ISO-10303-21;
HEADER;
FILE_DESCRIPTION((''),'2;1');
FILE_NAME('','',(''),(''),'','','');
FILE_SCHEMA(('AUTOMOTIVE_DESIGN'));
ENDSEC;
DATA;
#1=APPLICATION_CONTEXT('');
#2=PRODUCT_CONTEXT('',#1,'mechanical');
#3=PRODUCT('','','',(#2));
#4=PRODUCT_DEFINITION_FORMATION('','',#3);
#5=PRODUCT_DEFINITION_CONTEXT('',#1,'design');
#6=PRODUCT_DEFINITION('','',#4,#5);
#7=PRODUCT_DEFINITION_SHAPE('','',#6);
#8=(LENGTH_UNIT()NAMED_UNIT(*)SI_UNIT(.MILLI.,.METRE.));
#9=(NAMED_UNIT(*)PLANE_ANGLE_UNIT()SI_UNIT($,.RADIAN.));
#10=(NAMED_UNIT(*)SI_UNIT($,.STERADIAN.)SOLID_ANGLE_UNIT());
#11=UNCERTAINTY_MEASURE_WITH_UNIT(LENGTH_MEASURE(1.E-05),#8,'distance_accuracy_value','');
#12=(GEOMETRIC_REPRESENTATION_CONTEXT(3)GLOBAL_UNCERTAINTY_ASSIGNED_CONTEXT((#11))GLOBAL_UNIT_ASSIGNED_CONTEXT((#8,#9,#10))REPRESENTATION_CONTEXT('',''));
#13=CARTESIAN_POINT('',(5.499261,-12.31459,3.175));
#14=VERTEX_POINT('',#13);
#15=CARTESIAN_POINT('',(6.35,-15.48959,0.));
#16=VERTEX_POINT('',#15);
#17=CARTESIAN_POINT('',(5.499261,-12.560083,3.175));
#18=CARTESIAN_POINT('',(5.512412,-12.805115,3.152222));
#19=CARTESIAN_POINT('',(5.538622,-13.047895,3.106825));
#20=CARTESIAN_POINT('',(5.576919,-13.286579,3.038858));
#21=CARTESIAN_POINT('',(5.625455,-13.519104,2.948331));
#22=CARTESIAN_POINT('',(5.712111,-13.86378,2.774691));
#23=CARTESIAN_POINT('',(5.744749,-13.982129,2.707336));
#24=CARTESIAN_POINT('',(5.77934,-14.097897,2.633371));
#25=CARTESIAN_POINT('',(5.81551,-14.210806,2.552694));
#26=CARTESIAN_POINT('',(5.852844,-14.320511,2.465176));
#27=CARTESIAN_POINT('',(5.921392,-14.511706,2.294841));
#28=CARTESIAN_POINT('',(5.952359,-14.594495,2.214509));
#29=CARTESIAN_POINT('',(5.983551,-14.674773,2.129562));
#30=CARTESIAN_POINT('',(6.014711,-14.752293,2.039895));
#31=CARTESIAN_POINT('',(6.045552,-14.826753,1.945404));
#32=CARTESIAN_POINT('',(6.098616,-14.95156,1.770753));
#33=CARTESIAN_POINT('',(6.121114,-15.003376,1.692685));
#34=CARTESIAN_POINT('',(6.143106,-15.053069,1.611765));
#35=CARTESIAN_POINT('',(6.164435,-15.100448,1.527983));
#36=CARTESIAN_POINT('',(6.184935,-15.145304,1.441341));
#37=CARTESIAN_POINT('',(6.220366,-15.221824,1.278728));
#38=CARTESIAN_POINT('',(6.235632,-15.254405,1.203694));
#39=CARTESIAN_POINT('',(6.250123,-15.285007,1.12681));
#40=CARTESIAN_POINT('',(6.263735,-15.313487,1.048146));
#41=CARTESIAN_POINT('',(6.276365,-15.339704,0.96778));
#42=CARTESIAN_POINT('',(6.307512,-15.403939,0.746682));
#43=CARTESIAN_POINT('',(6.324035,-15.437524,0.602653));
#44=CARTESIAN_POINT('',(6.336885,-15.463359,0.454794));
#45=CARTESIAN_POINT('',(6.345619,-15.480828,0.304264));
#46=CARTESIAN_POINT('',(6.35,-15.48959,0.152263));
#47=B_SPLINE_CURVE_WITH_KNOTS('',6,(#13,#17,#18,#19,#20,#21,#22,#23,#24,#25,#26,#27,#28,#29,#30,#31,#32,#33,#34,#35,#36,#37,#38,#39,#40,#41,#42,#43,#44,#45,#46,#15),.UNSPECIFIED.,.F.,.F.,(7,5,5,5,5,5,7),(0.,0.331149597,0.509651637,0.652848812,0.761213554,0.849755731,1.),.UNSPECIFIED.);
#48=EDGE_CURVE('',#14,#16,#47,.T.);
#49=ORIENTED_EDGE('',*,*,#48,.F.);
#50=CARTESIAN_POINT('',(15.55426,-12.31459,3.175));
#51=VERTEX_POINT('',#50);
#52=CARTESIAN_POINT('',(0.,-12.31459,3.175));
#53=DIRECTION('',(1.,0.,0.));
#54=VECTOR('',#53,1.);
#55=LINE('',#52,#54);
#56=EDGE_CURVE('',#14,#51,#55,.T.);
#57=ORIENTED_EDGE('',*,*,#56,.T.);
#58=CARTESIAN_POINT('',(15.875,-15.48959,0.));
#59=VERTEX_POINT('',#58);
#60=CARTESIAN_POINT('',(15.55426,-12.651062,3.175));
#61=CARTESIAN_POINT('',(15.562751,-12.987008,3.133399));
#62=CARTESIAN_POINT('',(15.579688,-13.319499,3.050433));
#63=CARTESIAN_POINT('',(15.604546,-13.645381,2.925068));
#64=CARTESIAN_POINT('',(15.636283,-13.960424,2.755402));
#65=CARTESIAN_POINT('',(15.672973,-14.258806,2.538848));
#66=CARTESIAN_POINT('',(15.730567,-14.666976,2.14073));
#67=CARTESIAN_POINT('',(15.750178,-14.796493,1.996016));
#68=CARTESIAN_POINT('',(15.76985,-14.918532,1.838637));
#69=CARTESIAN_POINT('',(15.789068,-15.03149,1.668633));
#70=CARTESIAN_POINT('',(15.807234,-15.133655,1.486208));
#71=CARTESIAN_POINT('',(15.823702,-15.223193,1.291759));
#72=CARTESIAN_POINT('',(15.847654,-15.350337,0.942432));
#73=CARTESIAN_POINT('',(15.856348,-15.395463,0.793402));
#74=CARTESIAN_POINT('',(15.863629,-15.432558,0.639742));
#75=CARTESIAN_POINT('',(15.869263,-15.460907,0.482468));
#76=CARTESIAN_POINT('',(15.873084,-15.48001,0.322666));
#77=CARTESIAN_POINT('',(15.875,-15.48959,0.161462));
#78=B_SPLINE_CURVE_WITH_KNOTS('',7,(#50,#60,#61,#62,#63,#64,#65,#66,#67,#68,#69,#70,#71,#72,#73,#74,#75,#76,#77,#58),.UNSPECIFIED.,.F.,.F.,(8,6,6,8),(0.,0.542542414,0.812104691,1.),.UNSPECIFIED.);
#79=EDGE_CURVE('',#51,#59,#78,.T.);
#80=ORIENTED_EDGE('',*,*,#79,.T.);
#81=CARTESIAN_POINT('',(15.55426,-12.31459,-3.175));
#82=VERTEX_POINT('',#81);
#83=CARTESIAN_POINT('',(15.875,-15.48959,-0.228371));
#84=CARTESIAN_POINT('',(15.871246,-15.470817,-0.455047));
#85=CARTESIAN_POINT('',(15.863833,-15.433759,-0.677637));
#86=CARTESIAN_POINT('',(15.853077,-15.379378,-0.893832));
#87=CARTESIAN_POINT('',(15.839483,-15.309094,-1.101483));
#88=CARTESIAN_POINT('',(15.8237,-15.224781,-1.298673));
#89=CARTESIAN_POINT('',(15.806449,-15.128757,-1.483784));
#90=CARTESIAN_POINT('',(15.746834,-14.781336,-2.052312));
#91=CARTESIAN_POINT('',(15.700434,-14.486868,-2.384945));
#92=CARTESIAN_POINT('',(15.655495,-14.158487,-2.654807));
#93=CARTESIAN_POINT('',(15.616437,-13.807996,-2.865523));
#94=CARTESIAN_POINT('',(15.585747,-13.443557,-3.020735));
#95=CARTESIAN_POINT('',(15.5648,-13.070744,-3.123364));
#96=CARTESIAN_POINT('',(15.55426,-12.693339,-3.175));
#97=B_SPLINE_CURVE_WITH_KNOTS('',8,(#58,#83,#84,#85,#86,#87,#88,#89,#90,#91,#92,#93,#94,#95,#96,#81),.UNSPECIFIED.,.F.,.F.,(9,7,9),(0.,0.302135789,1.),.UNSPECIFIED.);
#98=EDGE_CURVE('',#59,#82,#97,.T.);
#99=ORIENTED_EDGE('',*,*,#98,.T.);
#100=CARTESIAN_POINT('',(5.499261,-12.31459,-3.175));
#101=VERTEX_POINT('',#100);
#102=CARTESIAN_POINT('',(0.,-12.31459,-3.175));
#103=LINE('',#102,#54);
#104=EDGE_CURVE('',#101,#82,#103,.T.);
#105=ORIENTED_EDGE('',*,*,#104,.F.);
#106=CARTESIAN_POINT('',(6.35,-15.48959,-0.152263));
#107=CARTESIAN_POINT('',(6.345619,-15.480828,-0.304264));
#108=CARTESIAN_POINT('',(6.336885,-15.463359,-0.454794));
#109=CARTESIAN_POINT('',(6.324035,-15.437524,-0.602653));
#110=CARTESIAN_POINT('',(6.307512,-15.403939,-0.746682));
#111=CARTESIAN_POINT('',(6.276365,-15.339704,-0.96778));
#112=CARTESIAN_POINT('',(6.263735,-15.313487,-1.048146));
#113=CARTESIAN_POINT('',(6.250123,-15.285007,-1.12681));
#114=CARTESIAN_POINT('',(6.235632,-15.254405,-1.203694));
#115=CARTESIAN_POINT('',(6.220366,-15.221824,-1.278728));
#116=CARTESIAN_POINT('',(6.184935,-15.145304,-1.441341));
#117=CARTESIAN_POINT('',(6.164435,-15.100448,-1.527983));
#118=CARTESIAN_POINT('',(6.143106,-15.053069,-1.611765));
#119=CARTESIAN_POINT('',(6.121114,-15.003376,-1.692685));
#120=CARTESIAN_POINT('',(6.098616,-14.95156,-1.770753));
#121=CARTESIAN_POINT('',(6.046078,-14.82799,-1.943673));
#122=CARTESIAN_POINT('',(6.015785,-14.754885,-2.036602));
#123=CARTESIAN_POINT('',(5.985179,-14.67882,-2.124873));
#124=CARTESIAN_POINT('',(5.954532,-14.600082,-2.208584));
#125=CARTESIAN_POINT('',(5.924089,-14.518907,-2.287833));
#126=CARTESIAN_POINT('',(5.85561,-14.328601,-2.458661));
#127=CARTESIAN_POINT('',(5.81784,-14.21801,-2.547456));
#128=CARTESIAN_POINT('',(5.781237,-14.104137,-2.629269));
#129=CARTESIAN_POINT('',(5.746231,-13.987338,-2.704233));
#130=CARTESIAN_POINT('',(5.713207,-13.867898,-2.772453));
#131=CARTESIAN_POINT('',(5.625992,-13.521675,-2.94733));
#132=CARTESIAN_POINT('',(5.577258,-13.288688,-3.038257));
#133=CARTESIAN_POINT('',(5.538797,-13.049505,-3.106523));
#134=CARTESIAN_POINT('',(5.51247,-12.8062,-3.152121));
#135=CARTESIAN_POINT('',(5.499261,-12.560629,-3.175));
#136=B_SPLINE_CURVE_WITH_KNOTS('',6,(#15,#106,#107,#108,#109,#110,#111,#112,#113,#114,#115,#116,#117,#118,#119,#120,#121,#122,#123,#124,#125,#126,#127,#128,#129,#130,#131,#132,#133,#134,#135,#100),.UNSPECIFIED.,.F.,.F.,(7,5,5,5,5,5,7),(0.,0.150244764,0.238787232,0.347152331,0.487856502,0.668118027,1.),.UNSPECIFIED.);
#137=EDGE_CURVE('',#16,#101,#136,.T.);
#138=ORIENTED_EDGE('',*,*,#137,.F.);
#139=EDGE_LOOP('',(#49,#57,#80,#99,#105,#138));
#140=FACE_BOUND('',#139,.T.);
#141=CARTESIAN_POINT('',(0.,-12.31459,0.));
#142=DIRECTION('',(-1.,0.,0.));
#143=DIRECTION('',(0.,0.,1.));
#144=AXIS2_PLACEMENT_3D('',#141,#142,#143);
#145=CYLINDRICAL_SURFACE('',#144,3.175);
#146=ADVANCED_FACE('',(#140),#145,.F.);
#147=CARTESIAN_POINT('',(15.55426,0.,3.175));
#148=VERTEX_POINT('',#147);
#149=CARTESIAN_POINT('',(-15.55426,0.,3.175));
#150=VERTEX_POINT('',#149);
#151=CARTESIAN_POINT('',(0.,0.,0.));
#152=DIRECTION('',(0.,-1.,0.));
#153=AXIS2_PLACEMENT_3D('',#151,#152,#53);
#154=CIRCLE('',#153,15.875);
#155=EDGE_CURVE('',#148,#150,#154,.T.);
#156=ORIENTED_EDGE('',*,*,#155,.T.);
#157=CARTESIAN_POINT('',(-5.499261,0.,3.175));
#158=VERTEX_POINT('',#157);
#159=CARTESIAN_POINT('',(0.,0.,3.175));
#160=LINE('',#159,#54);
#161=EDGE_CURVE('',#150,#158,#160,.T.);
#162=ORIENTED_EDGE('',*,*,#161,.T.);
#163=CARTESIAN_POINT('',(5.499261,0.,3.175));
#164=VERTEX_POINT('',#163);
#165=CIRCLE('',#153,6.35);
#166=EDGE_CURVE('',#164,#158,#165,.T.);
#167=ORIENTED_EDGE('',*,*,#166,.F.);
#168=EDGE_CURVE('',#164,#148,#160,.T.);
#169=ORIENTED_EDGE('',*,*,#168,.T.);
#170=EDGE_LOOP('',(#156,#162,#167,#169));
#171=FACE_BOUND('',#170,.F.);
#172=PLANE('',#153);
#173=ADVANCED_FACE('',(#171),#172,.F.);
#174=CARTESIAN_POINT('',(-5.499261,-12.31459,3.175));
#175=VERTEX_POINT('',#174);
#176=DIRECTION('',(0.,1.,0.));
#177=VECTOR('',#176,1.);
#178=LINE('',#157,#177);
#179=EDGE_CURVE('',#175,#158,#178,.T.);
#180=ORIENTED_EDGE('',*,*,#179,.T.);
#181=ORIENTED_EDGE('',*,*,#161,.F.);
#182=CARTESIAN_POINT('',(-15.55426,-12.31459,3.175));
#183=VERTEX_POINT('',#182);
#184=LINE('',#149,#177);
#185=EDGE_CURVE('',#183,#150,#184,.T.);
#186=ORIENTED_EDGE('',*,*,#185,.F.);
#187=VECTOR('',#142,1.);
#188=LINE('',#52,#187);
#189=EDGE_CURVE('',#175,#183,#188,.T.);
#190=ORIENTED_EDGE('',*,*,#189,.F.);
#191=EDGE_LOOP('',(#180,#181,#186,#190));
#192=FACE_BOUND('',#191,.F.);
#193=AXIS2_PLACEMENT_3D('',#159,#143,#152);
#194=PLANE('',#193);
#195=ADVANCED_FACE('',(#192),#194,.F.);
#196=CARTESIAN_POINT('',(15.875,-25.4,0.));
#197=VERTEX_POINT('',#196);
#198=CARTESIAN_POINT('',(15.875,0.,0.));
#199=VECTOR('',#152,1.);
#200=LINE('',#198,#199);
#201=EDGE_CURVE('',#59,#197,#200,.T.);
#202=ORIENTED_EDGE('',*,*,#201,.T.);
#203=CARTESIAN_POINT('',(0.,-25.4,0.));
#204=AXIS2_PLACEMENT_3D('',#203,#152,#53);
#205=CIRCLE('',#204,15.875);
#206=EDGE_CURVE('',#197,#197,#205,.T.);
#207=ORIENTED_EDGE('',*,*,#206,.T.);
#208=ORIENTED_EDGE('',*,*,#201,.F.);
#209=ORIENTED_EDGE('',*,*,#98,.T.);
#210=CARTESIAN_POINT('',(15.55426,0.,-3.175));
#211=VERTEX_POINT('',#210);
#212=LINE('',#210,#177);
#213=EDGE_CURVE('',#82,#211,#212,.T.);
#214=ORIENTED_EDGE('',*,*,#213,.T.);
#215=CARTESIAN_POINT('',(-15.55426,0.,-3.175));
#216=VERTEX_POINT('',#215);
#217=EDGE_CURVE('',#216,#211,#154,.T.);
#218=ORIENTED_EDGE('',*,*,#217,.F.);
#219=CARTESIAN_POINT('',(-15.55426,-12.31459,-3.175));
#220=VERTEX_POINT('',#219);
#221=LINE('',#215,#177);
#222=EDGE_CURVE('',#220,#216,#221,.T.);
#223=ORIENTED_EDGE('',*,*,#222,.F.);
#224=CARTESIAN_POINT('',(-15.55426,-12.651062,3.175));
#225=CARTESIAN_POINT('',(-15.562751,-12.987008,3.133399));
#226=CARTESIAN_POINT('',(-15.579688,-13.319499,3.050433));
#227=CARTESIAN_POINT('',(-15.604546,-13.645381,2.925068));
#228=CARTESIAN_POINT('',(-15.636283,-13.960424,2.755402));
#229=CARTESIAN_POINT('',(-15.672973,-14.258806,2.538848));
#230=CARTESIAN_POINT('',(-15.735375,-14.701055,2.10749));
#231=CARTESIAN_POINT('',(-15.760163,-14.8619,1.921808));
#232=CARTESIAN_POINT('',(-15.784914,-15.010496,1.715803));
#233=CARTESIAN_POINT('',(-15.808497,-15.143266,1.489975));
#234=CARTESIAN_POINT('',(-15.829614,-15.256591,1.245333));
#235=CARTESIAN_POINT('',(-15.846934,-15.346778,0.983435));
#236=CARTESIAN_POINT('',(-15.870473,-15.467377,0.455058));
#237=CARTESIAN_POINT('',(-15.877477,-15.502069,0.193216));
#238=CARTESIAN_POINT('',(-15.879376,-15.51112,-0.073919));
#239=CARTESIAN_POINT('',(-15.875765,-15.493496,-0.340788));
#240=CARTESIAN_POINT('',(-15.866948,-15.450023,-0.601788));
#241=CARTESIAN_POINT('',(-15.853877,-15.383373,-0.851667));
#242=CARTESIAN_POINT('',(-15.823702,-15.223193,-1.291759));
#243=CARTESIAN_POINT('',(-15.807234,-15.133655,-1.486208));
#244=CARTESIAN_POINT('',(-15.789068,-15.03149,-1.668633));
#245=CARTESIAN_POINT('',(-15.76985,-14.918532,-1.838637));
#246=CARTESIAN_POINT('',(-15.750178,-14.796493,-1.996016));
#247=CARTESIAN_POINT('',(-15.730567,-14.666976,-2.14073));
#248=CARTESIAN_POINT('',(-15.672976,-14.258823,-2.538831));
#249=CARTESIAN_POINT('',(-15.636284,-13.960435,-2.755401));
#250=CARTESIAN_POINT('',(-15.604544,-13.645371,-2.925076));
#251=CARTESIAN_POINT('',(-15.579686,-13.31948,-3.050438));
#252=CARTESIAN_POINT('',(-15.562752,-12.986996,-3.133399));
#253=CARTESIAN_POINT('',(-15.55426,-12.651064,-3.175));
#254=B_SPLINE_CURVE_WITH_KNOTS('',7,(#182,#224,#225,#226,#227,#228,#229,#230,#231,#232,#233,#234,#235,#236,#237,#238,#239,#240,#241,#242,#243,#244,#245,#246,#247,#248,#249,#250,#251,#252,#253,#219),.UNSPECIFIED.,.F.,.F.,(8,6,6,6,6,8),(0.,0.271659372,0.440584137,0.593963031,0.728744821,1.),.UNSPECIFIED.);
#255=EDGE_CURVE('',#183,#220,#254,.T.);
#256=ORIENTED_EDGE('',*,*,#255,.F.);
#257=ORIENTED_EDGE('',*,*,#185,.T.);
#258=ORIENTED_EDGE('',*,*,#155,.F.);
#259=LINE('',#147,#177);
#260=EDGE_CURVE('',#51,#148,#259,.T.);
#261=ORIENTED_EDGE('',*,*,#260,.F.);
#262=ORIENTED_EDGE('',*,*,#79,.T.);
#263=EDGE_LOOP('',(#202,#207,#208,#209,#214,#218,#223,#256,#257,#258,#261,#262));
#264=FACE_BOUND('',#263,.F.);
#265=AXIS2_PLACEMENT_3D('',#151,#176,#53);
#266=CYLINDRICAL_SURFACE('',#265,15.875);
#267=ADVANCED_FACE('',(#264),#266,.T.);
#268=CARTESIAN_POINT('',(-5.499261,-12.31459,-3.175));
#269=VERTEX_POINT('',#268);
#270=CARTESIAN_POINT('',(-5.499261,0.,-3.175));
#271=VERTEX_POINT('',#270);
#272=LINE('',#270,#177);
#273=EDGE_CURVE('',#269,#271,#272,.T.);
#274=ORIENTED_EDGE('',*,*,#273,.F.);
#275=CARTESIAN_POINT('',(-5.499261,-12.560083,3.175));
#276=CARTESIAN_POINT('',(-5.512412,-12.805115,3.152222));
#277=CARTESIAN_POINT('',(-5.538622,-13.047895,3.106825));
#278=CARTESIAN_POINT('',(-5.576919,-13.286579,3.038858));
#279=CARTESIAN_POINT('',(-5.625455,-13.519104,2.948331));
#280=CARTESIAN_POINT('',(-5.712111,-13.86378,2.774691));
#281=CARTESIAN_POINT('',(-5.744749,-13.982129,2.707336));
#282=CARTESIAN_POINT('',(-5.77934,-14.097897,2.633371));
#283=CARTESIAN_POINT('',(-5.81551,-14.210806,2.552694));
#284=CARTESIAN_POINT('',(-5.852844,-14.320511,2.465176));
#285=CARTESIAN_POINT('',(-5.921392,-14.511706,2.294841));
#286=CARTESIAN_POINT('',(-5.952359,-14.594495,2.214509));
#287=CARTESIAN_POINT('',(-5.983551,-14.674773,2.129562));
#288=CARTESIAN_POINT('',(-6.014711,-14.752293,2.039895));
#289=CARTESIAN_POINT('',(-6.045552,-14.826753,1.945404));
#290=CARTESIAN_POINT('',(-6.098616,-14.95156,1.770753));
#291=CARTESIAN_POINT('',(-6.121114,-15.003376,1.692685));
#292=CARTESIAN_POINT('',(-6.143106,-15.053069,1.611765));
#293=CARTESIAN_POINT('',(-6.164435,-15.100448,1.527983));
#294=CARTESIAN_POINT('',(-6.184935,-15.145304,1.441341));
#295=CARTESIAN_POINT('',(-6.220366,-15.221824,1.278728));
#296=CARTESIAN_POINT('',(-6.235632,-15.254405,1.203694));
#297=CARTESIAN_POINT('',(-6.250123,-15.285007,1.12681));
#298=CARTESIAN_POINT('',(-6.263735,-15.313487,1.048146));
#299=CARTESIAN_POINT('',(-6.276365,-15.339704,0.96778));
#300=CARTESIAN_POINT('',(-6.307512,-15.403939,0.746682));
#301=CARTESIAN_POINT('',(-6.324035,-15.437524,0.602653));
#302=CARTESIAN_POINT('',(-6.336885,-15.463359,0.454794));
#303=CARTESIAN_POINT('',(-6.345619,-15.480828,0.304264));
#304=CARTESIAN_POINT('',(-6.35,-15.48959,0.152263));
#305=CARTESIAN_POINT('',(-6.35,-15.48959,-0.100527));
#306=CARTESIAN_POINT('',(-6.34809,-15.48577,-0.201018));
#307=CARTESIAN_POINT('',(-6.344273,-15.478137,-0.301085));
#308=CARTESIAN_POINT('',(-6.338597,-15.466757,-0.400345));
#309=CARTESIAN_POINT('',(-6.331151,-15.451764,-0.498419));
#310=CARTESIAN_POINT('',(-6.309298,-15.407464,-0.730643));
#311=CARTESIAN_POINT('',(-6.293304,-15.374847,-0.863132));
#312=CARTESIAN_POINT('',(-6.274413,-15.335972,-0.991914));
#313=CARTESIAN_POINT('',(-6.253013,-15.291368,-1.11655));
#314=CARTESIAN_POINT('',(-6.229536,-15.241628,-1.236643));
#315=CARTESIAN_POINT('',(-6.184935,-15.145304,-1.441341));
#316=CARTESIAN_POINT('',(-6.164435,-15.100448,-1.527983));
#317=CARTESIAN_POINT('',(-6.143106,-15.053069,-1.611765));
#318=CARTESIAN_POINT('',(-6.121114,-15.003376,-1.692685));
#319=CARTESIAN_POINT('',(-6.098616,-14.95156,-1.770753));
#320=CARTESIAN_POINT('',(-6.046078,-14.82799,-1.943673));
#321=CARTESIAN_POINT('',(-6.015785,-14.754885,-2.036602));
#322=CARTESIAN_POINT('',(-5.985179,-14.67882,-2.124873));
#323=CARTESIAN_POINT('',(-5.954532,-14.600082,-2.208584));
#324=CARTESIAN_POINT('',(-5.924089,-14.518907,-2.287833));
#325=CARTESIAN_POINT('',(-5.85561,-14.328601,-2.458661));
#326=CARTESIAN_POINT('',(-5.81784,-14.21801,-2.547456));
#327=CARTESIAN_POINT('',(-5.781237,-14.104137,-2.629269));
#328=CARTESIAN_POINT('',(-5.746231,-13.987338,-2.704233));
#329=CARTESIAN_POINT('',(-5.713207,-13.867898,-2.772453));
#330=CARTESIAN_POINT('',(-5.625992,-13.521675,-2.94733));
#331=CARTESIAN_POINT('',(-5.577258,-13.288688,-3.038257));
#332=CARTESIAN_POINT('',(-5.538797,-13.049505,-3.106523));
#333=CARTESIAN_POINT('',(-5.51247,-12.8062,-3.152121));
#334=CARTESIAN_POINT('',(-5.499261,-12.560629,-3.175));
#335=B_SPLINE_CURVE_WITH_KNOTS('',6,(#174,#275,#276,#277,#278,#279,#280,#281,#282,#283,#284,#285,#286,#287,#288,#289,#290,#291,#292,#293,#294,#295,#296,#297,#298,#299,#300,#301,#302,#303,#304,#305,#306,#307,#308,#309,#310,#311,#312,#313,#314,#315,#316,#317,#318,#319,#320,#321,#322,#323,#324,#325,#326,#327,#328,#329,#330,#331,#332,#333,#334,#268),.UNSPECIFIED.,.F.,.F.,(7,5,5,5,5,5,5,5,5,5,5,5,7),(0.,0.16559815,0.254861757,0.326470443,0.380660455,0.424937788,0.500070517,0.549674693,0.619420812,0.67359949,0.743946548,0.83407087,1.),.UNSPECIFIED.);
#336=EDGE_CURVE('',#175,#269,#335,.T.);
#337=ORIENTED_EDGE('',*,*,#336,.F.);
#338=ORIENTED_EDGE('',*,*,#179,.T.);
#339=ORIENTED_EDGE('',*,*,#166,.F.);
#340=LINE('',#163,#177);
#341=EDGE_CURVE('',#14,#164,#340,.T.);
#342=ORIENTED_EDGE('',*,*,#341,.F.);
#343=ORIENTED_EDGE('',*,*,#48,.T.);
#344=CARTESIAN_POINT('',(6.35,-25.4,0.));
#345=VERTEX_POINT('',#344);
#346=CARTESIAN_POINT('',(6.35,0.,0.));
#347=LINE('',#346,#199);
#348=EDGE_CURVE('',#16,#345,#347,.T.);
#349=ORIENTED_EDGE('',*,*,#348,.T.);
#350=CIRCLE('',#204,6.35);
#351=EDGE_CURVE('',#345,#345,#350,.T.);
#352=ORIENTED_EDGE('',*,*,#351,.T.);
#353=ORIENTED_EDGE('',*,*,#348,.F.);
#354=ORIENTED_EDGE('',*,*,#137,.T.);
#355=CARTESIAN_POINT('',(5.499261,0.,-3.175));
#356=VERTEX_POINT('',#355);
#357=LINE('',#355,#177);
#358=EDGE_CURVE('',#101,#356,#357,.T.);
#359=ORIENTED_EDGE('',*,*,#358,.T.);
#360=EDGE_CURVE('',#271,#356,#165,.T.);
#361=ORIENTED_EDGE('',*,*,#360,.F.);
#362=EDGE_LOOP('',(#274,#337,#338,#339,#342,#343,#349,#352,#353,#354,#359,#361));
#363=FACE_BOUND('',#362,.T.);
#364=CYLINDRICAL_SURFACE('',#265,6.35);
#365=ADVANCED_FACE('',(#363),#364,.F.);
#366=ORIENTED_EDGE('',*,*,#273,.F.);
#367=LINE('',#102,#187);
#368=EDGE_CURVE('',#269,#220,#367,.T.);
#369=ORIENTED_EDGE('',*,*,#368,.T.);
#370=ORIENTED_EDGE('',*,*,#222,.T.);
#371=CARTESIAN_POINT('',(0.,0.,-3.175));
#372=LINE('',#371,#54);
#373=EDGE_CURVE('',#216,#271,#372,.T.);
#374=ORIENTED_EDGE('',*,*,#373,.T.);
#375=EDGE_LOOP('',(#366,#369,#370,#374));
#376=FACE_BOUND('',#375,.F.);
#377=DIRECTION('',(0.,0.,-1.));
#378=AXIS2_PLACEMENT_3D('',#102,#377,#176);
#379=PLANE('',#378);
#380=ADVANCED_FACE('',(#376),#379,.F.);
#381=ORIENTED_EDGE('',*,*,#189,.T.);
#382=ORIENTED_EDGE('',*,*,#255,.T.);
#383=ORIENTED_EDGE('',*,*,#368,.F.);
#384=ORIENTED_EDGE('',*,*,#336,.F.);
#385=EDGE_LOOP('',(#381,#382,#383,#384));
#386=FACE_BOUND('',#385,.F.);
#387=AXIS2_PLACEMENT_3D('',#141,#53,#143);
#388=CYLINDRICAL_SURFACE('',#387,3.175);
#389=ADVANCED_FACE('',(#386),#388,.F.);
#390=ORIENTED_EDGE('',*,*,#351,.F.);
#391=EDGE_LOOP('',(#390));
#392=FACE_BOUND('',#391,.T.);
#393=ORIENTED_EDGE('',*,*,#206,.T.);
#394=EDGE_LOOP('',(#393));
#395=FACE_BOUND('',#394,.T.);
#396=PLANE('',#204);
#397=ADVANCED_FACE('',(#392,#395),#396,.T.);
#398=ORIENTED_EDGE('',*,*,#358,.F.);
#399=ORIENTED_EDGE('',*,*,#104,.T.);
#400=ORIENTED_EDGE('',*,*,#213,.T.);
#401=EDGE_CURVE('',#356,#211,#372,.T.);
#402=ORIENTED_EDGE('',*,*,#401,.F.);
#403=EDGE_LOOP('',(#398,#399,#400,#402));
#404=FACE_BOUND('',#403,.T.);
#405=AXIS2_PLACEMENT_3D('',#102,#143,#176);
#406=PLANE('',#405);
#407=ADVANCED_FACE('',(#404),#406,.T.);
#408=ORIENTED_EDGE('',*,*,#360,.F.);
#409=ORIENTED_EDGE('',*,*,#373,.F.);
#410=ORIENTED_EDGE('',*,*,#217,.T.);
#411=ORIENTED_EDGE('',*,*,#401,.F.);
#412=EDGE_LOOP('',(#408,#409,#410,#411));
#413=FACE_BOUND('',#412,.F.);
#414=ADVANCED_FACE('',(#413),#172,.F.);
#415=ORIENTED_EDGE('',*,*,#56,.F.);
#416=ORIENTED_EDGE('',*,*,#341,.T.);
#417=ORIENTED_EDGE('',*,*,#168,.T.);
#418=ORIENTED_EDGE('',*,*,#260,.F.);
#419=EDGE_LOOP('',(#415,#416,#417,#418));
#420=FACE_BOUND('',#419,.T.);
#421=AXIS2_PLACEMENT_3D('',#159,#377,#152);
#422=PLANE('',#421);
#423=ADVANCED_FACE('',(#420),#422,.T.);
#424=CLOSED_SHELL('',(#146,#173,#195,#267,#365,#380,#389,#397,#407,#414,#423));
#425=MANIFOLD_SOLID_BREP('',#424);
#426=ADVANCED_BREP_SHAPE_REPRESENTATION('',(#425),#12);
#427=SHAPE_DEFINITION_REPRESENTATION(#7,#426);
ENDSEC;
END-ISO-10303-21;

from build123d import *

# Parameters (mm, degrees)
F0_R     = 15.875
F0_R_2   = 6.35
F1_DEPTH = 25.4
F2_R     = 3.175
F3_DEPTH = 25.4
F5_DEPTH = 25.4
F6_DEPTH = 25.4


with BuildPart() as f1:
    # F0 (on Front) → F1 (new body)
    with BuildSketch(Plane.XZ):
        Circle(F0_R)
        Circle(F0_R_2, mode=Mode.SUBTRACT)
    extrude(amount=F1_DEPTH)

    # F2 (on Right) → F3 (cut)
    with BuildSketch(Plane.YZ):
        Circle(F2_R)
    extrude(amount=-F3_DEPTH, mode=Mode.SUBTRACT)

    # F4 (on Right) → F5 (cut)
    with BuildSketch(Plane.YZ):
        with BuildLine():
            Line((0, 3.175), (-12.31459, 3.175))
            ThreePointArc((-12.31459, 3.175), (-15.48959, 0), (-12.31459, -3.175))
            Line((-12.31459, -3.175), (0, -3.175))
            Line((0, -3.175), (0, 3.175))
        make_face()
    extrude(amount=F5_DEPTH, mode=Mode.SUBTRACT)

    # F4 (on Right) → F6 (cut)
    with BuildSketch(Plane.YZ):
        with BuildLine():
            Line((0, 3.175), (-12.31459, 3.175))
            ThreePointArc((-12.31459, 3.175), (-15.48959, 0), (-12.31459, -3.175))
            Line((-12.31459, -3.175), (0, -3.175))
            Line((0, -3.175), (0, 3.175))
        make_face()
    extrude(amount=-F6_DEPTH, mode=Mode.SUBTRACT)


solid = f1.part
